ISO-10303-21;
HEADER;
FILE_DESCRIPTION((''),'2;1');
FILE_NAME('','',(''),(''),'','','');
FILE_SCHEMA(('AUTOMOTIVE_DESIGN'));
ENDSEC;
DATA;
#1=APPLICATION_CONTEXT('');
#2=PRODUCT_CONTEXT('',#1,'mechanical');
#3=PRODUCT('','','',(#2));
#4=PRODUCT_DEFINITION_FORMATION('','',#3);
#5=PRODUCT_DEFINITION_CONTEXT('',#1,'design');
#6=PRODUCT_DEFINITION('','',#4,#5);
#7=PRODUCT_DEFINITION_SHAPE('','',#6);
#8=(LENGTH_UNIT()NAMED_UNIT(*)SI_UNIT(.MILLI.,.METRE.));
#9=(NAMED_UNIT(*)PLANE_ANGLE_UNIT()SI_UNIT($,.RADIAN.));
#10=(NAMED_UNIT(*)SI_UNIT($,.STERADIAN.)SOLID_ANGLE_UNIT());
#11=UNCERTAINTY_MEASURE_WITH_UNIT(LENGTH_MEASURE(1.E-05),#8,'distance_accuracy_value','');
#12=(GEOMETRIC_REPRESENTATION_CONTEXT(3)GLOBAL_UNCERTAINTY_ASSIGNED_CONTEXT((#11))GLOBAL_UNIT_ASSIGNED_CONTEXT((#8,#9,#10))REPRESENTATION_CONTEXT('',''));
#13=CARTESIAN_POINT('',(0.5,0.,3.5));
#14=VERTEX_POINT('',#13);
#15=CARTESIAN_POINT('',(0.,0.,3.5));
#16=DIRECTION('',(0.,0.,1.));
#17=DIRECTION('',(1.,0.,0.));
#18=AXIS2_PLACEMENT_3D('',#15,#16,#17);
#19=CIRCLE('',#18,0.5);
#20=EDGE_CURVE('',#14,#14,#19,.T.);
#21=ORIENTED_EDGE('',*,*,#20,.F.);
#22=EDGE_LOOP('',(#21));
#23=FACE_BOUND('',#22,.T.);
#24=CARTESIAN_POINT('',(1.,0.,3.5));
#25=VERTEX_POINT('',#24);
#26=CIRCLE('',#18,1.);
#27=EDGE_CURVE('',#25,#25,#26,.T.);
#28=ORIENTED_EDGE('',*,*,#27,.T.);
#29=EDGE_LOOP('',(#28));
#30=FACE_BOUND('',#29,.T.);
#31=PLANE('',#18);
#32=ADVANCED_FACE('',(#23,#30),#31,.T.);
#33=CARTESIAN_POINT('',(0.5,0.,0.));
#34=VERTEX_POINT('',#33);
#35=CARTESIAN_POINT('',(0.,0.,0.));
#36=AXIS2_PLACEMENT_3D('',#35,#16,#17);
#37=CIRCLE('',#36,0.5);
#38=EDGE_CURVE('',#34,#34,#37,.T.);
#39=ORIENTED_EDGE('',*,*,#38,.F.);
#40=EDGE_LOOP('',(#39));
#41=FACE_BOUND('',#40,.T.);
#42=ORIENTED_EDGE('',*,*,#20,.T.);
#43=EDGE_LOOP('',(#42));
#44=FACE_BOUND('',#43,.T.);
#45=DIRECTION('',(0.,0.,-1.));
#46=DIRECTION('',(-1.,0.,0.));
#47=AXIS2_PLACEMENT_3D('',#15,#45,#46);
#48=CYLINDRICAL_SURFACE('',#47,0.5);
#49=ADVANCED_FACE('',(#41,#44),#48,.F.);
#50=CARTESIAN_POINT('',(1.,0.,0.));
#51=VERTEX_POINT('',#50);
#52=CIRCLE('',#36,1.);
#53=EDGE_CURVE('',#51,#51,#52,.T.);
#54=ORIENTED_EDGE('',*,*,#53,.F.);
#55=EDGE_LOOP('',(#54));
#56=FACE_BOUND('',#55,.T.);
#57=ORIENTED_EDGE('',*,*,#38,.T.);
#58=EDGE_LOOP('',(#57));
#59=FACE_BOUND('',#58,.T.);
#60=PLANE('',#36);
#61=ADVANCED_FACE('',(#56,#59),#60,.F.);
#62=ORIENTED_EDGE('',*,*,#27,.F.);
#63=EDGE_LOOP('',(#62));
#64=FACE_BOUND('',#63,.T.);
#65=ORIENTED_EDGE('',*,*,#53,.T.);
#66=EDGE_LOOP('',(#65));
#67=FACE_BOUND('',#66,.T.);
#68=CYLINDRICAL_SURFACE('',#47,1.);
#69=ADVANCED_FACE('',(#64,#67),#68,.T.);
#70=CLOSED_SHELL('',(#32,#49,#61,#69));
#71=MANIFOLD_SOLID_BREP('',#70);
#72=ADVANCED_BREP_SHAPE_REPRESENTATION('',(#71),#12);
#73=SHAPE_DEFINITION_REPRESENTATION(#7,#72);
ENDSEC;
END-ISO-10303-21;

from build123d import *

# Parameters (mm, degrees)
BEARINGSKE_R   = 1
BEARINGSKE_R_2 = 0.5
BEARING_DEPTH  = 3.5


with BuildPart() as part:
    # BearingSke → Bearing (new body)
    with BuildSketch(Plane.XY):
        Circle(BEARINGSKE_R)
        Circle(BEARINGSKE_R_2, mode=Mode.SUBTRACT)
    extrude(amount=BEARING_DEPTH)


solid = part.part
